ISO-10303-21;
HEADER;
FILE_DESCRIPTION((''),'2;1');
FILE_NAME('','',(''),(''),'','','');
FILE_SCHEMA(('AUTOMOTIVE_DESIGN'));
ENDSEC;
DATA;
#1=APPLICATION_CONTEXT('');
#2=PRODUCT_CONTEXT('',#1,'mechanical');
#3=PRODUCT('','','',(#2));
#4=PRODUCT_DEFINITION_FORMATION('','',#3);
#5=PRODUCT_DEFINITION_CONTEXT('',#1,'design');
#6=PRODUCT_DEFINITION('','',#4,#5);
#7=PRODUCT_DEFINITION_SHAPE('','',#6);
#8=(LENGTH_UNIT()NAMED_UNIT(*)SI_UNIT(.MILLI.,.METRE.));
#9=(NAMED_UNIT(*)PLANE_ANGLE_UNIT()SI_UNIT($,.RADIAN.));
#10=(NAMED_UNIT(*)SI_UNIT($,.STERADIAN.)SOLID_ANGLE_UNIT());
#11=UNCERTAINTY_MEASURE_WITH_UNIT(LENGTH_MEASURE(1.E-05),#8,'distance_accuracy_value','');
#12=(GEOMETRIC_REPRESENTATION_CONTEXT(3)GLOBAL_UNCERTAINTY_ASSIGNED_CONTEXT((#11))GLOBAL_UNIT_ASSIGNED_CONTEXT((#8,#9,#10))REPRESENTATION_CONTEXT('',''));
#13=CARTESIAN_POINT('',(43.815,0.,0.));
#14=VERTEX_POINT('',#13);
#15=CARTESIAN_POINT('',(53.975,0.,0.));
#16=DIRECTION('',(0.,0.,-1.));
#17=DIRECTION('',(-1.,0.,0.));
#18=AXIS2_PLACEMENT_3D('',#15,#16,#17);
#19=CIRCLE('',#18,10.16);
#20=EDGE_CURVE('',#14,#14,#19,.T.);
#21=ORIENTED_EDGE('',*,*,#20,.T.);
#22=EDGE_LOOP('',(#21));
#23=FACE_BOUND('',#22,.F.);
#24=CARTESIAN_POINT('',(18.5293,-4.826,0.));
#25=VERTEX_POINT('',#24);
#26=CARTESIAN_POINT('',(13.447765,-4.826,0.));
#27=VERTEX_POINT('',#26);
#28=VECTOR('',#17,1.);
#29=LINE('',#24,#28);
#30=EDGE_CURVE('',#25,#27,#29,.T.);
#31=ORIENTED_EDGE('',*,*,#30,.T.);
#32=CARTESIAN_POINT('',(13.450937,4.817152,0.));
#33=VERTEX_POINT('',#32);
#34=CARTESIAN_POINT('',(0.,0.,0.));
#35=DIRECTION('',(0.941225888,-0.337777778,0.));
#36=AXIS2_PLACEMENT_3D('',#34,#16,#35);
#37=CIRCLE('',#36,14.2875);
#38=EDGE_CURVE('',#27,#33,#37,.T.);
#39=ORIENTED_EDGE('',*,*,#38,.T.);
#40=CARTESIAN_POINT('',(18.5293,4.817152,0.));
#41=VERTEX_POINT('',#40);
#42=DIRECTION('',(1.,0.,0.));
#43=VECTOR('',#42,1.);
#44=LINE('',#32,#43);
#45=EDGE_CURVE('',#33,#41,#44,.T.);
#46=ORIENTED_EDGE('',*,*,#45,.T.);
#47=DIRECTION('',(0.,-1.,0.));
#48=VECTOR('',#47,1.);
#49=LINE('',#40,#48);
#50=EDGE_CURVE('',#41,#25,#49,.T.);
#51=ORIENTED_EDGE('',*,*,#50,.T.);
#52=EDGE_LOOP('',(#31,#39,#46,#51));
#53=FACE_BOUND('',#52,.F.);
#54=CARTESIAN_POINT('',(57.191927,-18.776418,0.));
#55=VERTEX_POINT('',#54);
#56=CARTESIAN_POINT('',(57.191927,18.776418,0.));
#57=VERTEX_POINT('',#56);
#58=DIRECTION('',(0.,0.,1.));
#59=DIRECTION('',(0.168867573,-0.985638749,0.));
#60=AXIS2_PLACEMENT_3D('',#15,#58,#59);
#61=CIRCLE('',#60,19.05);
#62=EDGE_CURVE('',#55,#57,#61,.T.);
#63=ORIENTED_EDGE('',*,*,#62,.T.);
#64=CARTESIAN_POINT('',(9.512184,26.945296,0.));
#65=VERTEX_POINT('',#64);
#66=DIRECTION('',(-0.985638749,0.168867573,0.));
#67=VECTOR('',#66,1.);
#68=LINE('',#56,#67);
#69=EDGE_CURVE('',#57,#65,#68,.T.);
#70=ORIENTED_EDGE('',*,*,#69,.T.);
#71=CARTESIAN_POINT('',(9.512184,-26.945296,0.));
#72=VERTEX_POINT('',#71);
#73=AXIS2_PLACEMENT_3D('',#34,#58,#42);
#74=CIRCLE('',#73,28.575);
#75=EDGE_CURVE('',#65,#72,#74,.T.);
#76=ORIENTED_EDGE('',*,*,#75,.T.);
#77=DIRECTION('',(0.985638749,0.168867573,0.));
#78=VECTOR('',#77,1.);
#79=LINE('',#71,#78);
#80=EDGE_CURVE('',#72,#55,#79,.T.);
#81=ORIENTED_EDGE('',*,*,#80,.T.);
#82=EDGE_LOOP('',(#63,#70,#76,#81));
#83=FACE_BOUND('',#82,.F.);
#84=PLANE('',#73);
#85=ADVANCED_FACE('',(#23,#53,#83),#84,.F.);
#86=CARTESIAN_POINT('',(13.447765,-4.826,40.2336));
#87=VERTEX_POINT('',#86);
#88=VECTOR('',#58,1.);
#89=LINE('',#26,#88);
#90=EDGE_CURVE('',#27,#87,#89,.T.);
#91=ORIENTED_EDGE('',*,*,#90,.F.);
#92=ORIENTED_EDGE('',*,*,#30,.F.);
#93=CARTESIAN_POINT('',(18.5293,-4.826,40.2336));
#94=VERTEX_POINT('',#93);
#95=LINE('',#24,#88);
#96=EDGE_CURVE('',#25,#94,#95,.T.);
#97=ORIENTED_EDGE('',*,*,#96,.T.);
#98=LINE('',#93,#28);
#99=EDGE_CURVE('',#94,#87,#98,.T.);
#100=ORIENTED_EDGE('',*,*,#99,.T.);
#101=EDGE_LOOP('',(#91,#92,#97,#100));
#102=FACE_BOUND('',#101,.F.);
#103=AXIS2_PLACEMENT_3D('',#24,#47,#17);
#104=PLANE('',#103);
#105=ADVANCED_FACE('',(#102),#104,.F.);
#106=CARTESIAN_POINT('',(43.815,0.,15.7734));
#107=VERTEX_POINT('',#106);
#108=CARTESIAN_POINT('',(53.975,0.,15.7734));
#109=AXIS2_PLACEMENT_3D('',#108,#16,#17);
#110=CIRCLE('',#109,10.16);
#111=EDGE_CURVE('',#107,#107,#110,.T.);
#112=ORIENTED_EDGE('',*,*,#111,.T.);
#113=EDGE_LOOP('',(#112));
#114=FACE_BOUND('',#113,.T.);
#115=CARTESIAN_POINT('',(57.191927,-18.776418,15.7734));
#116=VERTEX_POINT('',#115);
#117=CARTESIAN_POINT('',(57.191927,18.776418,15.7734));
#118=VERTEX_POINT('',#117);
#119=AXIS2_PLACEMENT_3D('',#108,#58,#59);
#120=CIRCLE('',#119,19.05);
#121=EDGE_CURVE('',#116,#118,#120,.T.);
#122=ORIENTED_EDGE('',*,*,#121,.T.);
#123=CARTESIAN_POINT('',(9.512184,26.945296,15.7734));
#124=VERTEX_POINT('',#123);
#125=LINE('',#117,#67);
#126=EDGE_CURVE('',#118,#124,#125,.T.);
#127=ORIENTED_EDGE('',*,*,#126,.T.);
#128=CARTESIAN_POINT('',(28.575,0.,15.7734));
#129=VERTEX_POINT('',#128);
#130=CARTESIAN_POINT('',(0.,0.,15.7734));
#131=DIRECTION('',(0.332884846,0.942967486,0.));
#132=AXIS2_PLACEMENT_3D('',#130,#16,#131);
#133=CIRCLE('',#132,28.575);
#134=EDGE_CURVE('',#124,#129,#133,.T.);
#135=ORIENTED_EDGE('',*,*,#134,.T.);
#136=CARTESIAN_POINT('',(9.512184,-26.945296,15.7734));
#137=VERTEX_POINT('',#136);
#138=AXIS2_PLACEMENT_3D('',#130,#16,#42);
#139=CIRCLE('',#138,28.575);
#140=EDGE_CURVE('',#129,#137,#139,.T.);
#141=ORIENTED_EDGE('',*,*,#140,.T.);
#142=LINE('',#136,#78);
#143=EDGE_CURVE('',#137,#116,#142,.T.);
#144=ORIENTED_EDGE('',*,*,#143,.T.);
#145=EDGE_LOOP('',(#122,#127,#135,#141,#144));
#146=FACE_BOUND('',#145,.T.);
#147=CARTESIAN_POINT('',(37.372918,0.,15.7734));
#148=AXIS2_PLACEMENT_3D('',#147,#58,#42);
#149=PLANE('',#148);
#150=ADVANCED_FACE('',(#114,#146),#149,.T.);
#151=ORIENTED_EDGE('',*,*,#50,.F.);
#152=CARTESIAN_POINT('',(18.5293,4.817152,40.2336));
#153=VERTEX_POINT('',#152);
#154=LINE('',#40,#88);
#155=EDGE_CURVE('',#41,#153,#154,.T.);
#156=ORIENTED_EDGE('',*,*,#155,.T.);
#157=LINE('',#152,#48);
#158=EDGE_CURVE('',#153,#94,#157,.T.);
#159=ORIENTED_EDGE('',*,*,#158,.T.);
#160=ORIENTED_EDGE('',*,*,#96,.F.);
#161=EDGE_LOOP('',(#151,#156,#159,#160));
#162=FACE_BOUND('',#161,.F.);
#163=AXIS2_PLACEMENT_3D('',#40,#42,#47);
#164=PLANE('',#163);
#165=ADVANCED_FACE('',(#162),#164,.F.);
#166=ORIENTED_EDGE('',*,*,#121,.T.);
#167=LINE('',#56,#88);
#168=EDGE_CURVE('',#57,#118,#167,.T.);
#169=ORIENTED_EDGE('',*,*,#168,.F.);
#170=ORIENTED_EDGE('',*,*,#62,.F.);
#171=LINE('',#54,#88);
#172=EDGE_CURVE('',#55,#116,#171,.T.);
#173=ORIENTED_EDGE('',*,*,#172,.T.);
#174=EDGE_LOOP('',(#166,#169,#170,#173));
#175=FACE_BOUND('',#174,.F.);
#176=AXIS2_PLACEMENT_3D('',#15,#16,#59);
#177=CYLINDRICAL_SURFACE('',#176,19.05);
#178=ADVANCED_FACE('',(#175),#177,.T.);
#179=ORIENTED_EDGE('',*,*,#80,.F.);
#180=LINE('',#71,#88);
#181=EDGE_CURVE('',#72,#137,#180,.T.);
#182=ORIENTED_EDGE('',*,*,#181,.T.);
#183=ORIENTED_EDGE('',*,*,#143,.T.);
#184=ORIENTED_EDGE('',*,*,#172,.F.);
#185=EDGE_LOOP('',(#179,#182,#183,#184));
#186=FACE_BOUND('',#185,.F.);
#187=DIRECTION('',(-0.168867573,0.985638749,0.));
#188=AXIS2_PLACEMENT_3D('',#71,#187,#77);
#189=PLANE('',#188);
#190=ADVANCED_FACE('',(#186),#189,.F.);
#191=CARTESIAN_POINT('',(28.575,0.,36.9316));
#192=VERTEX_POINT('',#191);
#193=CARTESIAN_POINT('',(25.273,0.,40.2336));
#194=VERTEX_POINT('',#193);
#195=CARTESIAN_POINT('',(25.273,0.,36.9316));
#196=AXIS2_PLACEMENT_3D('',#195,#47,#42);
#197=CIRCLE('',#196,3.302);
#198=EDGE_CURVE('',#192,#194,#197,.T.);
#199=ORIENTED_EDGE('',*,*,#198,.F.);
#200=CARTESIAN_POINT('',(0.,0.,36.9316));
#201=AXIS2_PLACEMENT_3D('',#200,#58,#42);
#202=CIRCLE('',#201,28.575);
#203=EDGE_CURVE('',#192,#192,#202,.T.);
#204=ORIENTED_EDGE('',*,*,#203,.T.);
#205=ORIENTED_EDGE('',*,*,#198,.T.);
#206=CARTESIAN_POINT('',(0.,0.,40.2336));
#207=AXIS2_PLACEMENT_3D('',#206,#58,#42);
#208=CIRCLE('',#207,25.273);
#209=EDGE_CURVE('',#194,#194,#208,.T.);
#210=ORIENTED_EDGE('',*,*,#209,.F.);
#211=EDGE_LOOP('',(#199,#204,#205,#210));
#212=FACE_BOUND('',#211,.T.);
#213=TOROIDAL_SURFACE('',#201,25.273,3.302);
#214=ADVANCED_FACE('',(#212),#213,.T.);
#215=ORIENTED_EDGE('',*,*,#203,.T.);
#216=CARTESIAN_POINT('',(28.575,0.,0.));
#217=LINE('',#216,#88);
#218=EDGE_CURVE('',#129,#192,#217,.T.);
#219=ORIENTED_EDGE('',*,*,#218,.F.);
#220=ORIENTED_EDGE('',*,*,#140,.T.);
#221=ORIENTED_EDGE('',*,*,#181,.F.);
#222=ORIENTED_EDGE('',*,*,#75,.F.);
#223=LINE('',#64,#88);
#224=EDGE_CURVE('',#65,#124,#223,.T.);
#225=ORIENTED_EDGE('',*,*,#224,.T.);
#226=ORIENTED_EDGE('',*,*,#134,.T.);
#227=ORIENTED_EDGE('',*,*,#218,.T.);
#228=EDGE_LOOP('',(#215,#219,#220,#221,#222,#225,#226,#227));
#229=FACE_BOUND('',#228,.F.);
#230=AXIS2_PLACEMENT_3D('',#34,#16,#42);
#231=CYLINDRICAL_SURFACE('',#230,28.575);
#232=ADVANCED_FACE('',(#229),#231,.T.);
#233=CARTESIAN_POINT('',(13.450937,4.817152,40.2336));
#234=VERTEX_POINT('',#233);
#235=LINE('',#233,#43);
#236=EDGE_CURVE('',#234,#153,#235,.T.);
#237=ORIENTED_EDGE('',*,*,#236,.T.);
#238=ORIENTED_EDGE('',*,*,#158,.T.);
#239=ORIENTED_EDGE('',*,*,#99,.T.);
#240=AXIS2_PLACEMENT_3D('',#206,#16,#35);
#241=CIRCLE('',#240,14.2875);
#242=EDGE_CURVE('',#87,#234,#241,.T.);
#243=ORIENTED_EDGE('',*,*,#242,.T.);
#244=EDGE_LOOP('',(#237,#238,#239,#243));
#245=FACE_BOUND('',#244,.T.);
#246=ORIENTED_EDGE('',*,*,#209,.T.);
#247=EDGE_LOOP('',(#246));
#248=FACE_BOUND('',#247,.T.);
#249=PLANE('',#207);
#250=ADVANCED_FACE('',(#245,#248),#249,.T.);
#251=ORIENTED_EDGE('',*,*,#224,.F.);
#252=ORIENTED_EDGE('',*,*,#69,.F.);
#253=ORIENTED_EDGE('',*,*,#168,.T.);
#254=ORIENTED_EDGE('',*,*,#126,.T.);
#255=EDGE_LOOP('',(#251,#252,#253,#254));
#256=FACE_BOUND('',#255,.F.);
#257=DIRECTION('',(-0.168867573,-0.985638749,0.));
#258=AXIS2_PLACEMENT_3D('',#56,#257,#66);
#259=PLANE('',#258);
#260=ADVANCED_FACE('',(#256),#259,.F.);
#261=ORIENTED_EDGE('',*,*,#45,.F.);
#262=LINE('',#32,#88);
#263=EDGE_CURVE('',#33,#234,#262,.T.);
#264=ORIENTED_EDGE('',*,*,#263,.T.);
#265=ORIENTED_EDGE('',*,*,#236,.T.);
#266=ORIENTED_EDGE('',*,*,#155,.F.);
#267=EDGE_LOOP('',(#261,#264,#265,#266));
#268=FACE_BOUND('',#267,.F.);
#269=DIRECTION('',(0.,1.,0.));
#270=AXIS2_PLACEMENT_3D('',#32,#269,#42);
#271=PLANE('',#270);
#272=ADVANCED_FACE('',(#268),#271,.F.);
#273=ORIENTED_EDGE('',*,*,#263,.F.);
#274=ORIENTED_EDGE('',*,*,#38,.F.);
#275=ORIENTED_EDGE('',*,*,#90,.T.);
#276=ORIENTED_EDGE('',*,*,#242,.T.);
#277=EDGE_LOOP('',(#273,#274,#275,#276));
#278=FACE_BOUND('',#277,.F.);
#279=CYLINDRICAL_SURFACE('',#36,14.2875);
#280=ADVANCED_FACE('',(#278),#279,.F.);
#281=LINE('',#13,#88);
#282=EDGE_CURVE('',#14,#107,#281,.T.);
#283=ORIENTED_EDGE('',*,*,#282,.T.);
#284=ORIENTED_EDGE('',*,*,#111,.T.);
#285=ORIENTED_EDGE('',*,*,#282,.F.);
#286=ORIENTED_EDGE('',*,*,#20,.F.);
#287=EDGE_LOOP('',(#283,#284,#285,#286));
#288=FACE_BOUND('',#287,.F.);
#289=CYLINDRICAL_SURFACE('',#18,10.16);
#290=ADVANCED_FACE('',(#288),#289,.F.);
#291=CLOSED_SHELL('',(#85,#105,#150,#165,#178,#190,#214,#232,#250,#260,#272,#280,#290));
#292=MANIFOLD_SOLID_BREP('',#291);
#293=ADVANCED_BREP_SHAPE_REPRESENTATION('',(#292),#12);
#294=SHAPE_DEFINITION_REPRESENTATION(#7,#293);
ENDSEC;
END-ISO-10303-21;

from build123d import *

# Parameters (mm, degrees)
F1_DEPTH = 15.7734
F2_R     = 28.575
F3_DEPTH = 40.2336
F4_R     = 3.302


with BuildPart() as f1:
    # F0 (on Top) → F1 (new body)
    with BuildSketch(Plane.XY):
        with BuildLine():
            ThreePointArc((28.575, 0), (23.3274655355, -16.5033322905), (9.5121844836, -26.9452959039))
            Line((9.5121844836, -26.9452959039), (57.1919272622, -18.7764181619))
            ThreePointArc((57.1919272622, -18.7764181619), (73.025, 0), (57.1919272622, 18.7764181619))
            Line((57.1919272622, 18.7764181619), (9.5121844836, 26.9452959039))
            ThreePointArc((9.5121844836, 26.9452959039), (23.3274655355, 16.5033322905), (28.575, 0))
        make_face()
        with BuildLine():
            ThreePointArc((64.135, 0), (53.975, -10.16), (43.815, 0))
            ThreePointArc((43.815, 0), (53.975, 10.16), (64.135, 0))
        make_face(mode=Mode.SUBTRACT)
    extrude(amount=F1_DEPTH)

    # F2 (on Top) → F3 (join)
    with BuildSketch(Plane.XY):
        Circle(F2_R)
        with BuildLine():
            ThreePointArc((13.4477648793, -4.826), (-14.2874992271, 0.0046994463), (13.4509367064, 4.8171524752))
            Line((13.4509367064, 4.8171524752), (18.5293, 4.8171524752))
            Line((18.5293, 4.8171524752), (18.5293, 0))
            Line((18.5293, 0), (18.5293, -4.826))
            Line((18.5293, -4.826), (13.4477648793, -4.826))
        make_face(mode=Mode.SUBTRACT)
    extrude(amount=F3_DEPTH)

    # F4
    f4_edges = [f1.edges().sort_by_distance(p)[0] for p in [
        (-28.575, 0, 40.2336),
    ]]
    fillet(f4_edges, radius=F4_R)


solid = f1.part
